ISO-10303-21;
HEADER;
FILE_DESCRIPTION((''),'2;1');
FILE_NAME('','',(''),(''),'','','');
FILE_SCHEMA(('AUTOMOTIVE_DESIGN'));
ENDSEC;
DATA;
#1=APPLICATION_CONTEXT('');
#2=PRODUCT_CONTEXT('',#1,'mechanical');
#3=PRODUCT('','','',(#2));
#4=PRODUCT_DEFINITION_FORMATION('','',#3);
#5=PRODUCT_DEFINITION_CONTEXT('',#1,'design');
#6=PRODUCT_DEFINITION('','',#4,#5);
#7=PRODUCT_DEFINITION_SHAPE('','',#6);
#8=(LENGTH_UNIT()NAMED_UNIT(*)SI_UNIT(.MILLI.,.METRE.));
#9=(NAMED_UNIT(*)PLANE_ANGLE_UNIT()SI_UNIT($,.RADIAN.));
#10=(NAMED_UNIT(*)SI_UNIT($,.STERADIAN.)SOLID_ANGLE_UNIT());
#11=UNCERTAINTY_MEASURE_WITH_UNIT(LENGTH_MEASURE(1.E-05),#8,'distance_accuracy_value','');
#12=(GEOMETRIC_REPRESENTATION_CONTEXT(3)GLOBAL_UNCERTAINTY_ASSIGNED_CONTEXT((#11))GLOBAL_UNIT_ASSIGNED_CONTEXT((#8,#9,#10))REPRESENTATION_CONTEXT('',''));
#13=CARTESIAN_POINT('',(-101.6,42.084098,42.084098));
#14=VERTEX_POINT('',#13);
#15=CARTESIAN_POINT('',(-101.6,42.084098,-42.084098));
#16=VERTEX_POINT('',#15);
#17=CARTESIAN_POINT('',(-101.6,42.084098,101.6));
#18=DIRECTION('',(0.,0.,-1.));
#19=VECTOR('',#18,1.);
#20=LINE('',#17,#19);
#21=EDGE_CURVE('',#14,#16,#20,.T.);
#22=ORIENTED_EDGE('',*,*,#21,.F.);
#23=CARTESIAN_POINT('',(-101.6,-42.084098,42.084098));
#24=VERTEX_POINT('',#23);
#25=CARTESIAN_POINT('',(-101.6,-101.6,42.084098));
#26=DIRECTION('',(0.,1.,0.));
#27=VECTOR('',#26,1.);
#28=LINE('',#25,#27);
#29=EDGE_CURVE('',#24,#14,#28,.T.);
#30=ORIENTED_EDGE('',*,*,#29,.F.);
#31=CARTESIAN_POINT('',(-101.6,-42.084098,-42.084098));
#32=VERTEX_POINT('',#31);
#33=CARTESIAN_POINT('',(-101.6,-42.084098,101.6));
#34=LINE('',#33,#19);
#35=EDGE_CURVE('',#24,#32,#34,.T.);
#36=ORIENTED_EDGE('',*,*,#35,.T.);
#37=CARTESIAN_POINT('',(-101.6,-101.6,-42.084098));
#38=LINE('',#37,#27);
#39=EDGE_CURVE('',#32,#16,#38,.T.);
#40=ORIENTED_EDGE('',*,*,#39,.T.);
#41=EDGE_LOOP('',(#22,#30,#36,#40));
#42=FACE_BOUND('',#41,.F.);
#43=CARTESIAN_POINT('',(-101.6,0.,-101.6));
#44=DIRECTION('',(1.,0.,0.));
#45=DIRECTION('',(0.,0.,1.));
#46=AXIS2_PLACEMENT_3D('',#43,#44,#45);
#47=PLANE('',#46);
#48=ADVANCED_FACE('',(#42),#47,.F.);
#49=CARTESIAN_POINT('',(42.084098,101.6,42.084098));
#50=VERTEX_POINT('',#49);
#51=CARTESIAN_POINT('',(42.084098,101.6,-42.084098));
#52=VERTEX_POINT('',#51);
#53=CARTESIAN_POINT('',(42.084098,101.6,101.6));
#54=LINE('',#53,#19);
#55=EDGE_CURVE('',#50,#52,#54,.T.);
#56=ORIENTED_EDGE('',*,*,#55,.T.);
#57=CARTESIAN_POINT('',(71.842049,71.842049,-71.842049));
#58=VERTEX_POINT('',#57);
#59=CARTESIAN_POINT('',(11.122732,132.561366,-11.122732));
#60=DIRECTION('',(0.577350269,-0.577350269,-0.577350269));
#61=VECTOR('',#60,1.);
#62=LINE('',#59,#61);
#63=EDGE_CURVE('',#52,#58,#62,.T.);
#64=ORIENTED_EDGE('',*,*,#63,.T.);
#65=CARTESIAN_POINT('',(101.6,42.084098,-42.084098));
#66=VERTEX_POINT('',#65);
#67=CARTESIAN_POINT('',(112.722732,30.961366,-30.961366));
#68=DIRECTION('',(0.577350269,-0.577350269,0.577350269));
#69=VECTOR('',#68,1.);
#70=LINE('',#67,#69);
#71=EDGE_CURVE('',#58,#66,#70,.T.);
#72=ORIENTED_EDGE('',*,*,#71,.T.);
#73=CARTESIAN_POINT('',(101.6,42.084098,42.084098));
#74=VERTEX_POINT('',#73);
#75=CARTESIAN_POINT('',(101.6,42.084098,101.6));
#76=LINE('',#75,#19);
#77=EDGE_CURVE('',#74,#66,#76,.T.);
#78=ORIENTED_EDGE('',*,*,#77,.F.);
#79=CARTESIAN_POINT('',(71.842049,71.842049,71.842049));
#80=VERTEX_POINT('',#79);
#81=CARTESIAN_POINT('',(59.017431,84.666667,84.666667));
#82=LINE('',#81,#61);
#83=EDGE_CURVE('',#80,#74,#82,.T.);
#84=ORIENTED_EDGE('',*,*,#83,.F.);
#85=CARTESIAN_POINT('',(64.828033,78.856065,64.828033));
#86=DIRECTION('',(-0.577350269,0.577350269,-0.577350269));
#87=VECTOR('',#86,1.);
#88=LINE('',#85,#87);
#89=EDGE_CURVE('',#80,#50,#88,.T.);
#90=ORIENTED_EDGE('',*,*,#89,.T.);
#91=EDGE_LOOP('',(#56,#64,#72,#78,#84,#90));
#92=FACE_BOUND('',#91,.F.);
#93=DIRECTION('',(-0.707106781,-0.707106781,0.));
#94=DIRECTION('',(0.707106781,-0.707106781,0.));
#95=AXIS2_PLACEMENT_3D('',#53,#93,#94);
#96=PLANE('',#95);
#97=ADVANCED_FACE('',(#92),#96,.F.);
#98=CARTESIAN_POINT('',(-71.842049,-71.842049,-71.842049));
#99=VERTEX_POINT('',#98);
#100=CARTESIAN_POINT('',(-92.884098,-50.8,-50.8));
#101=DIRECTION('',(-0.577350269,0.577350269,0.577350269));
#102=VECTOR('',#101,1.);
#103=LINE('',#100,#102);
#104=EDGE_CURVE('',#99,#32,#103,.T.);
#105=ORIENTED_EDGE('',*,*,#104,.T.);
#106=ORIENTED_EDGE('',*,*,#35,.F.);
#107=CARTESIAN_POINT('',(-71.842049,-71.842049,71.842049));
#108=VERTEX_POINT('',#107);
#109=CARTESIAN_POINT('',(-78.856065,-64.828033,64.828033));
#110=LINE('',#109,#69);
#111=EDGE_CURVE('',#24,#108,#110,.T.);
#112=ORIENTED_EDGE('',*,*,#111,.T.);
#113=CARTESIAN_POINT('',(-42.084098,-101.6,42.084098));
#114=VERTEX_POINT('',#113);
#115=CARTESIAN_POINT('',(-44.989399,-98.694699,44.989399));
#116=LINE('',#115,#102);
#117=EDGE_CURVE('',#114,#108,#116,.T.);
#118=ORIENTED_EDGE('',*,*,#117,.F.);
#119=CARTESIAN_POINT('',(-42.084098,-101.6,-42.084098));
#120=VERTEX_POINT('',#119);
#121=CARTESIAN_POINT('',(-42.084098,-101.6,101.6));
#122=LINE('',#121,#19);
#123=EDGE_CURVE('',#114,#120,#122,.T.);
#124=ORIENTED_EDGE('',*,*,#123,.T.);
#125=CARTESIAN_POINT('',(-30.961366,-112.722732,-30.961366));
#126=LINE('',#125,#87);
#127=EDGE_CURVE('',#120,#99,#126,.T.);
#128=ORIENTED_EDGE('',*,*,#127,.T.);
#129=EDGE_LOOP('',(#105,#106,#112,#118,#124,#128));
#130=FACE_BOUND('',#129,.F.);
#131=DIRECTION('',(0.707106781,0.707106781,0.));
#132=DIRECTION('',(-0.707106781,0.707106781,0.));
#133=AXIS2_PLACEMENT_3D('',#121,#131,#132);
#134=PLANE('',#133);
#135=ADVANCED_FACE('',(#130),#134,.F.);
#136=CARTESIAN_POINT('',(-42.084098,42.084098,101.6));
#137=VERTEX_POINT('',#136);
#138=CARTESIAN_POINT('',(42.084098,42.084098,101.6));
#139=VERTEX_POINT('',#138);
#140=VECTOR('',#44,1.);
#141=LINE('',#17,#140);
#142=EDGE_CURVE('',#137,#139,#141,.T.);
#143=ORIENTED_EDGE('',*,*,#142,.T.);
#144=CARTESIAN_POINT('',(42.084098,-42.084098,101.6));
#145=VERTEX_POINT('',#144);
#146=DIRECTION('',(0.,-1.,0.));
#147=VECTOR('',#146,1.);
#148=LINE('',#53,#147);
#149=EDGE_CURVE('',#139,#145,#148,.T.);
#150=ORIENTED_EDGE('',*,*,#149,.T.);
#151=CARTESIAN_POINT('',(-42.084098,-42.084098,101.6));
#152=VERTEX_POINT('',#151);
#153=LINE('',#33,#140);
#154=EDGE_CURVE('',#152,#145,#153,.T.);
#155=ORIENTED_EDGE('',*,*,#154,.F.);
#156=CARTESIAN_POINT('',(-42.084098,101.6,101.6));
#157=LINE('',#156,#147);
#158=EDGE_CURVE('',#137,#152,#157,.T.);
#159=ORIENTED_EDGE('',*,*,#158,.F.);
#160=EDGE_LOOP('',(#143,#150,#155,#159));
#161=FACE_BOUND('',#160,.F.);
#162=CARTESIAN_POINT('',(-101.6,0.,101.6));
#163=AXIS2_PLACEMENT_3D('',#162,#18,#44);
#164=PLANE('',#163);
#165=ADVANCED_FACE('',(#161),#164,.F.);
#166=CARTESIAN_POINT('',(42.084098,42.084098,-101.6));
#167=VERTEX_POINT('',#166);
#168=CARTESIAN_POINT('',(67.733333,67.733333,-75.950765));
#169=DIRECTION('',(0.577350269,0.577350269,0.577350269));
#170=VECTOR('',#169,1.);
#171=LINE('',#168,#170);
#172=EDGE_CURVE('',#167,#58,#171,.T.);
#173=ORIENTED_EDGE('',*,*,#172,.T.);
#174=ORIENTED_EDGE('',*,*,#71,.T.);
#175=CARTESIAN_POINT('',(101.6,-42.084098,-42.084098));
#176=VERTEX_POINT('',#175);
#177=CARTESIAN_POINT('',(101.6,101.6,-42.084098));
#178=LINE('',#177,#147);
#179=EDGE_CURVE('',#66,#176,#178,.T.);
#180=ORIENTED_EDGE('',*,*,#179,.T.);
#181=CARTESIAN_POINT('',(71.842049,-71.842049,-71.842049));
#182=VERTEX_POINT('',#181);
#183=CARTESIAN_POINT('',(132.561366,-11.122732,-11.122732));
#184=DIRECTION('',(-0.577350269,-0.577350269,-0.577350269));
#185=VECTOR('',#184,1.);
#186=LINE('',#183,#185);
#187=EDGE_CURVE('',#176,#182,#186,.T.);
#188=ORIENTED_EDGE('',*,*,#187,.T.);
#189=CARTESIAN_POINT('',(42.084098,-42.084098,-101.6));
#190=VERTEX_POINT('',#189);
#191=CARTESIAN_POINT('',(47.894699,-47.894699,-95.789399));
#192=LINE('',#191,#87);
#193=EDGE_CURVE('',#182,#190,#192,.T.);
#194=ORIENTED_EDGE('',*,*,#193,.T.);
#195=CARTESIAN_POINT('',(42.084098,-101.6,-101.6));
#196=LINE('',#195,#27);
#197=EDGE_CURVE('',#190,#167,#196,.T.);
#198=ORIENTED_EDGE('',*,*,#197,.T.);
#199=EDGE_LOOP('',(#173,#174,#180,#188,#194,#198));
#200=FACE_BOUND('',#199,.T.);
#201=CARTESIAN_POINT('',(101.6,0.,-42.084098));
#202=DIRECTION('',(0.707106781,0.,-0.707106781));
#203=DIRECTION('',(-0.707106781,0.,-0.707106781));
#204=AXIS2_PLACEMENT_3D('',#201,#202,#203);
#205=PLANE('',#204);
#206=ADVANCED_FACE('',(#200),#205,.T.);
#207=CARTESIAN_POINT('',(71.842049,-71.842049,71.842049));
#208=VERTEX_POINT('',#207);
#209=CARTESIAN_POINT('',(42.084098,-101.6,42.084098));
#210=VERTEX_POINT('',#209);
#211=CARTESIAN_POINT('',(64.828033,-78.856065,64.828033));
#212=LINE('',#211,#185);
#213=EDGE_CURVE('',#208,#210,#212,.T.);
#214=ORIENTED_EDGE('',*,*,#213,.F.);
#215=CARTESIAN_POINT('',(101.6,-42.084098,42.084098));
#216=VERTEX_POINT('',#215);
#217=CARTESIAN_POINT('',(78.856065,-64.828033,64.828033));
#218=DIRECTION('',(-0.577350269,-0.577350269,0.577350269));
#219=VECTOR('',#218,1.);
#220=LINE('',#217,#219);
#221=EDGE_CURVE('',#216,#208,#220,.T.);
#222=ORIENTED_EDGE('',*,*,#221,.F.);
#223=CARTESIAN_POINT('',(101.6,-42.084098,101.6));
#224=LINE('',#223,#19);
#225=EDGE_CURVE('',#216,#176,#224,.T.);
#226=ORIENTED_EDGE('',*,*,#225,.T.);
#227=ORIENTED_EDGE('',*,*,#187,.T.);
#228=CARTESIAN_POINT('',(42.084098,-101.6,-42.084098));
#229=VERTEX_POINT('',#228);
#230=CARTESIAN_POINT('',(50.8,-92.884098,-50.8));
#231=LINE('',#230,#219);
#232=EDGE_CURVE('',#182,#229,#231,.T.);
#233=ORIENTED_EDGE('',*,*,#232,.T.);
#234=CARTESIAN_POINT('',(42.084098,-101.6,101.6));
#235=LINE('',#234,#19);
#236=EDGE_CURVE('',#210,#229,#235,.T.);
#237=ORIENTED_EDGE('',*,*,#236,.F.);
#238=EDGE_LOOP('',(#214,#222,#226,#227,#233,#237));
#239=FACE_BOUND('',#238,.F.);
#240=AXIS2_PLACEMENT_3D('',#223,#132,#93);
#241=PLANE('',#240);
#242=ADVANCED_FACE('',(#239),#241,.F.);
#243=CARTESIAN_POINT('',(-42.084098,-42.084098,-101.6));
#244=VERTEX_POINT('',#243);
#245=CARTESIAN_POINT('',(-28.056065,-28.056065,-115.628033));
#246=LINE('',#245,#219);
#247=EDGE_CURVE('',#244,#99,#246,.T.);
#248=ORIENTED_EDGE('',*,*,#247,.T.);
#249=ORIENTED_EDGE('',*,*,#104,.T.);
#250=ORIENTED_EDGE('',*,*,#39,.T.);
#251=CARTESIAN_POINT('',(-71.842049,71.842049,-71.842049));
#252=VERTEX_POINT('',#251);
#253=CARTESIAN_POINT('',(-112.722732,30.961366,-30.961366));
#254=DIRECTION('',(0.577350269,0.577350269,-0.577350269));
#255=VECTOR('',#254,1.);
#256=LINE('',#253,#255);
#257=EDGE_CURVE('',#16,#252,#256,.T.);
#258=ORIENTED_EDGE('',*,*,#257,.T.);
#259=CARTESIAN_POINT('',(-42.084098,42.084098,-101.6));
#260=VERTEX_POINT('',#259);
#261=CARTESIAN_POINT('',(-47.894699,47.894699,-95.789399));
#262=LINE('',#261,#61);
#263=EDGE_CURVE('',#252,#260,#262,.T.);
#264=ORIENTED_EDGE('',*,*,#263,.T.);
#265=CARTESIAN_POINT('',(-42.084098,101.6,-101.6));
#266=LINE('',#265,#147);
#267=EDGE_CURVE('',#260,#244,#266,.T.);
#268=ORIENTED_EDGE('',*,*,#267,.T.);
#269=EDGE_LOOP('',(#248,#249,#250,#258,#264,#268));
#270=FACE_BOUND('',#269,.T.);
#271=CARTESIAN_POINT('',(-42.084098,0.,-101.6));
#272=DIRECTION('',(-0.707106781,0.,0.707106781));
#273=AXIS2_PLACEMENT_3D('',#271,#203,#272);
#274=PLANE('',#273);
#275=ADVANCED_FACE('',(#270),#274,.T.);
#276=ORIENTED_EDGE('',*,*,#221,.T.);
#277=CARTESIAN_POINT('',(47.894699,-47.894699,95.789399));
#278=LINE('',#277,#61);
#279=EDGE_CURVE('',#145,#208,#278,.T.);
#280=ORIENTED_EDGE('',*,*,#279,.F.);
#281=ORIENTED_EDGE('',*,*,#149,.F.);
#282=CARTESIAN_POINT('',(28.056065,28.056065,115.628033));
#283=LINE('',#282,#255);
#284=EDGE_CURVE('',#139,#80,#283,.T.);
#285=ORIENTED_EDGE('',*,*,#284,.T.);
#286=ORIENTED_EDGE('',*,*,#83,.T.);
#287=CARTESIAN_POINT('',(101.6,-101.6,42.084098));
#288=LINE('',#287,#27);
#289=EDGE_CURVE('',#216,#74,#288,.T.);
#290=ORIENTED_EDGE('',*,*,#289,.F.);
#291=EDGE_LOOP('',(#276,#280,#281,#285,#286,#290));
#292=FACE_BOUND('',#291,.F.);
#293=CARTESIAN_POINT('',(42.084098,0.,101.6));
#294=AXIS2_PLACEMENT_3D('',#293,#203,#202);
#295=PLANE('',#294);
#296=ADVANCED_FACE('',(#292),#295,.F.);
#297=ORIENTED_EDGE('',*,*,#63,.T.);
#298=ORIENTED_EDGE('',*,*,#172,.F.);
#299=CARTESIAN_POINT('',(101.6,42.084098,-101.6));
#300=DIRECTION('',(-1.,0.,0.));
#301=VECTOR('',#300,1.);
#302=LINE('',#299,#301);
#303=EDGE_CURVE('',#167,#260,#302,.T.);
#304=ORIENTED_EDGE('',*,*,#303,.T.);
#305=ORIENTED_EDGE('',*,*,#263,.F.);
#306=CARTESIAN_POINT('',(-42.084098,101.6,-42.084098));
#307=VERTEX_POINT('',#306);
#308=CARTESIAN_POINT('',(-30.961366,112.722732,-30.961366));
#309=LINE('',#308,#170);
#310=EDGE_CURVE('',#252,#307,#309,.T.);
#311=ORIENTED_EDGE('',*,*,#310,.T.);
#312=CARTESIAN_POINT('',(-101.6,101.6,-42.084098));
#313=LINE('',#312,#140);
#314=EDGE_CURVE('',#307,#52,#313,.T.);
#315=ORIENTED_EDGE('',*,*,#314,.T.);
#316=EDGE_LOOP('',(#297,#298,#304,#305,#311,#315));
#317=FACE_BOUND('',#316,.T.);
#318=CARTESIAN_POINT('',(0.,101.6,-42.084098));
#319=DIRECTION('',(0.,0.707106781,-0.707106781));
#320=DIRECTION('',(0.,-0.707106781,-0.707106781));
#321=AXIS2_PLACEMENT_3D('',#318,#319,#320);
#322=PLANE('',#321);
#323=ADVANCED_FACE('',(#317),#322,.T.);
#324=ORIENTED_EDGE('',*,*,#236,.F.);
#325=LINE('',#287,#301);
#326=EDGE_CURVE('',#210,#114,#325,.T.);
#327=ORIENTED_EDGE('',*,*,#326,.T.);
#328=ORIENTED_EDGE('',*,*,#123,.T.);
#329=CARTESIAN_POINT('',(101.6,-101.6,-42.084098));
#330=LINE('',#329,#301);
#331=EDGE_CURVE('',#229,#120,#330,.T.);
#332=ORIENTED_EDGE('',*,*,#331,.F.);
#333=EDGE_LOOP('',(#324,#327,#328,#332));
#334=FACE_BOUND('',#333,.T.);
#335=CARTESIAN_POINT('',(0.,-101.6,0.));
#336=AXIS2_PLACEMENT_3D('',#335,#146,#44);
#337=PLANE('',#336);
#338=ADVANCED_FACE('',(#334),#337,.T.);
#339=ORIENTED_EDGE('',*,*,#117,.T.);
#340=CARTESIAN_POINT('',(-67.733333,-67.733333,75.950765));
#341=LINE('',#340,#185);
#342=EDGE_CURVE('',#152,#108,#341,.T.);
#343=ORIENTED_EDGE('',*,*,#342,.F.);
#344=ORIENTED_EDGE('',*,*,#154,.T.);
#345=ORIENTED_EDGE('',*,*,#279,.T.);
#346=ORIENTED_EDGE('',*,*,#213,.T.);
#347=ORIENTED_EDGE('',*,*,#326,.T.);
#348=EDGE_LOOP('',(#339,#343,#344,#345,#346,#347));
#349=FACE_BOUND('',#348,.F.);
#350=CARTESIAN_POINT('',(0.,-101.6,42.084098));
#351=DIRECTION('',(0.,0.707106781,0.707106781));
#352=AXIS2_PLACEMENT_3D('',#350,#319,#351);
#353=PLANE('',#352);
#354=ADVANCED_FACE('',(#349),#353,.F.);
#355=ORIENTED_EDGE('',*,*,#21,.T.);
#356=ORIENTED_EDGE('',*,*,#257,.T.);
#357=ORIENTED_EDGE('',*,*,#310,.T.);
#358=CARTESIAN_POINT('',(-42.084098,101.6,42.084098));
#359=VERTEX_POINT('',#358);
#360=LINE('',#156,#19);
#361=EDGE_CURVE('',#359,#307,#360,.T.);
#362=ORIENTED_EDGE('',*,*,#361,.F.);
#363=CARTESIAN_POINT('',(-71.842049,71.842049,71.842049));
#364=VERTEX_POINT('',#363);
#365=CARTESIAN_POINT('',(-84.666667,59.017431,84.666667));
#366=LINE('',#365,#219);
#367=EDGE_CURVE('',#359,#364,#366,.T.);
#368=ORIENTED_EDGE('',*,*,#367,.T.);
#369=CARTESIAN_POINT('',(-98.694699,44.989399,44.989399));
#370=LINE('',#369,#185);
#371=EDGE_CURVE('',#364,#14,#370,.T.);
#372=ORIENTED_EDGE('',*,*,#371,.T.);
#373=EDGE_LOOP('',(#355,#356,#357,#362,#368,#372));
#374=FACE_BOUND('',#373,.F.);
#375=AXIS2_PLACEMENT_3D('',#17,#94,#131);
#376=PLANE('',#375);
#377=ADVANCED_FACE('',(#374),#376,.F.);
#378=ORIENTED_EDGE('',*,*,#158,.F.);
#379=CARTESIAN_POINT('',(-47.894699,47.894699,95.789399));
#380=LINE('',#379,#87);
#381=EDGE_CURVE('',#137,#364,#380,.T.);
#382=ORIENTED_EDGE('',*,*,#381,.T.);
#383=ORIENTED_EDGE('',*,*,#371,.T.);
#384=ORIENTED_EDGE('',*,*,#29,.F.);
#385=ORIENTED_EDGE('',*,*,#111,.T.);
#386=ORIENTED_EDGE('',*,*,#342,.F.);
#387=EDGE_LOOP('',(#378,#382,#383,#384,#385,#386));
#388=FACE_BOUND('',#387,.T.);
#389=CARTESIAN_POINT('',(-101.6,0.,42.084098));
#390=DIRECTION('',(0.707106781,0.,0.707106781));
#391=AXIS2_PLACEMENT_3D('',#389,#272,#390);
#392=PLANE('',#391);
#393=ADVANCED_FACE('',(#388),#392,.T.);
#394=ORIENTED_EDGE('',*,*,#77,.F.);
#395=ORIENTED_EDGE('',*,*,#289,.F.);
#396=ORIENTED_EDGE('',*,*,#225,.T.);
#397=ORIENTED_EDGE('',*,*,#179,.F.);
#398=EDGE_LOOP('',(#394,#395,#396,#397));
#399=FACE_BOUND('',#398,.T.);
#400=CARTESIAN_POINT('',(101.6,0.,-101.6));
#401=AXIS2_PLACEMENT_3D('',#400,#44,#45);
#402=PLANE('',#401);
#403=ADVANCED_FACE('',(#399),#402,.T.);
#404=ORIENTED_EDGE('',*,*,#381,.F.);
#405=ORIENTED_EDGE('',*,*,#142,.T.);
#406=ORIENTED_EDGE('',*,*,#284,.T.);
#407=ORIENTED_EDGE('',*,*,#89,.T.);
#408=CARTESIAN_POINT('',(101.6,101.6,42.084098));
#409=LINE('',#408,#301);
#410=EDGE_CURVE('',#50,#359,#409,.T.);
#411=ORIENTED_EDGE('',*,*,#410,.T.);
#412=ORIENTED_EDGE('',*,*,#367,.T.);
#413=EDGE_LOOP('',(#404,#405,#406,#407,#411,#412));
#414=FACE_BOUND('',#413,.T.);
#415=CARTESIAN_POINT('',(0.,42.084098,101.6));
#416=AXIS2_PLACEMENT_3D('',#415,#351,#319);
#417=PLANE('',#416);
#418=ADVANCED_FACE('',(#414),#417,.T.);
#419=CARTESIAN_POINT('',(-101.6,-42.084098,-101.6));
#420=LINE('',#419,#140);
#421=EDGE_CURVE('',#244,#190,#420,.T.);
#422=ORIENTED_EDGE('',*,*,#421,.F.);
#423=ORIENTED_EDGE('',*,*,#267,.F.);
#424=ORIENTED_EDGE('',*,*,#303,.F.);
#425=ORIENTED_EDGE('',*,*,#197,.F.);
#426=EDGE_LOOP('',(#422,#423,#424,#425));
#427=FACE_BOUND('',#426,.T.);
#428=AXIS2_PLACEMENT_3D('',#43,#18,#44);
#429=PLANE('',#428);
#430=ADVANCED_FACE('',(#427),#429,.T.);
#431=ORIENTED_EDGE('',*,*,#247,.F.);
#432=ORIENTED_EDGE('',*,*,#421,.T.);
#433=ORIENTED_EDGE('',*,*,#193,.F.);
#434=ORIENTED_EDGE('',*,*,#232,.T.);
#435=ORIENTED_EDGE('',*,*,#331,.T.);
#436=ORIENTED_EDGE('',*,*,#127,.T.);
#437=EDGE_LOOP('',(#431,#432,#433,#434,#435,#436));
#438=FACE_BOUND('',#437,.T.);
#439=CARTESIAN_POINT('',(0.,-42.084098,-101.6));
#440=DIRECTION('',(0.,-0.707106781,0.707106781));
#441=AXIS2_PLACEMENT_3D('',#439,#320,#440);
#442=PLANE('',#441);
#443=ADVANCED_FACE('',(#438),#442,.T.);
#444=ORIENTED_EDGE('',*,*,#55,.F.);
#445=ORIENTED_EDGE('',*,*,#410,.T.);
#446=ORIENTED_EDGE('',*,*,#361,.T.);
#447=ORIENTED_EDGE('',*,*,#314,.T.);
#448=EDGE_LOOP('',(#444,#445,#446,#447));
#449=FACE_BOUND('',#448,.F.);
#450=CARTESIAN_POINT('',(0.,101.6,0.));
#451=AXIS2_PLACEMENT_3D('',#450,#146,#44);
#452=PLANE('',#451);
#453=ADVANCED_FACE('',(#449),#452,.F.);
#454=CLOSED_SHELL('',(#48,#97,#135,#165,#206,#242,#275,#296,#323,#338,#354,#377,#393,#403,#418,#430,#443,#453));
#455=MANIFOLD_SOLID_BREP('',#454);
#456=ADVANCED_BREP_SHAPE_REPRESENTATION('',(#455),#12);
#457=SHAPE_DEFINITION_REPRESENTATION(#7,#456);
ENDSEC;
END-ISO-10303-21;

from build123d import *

# Parameters (mm, degrees)
F0_W     = 203.2
F0_H     = 203.2
F1_DEPTH = 101.6
F3_DEPTH = 203.2
F5_DEPTH = 101.6
F7_DEPTH = 101.6


with BuildPart() as f1:
    # F0 (on Front) → F1 (new body, symmetric)
    with BuildSketch(Plane.XZ):
        Rectangle(F0_W, F0_H)
    extrude(amount=F1_DEPTH, both=True)

    # F2 (on face) → F3 (cut)
    with BuildSketch(Plane.XY.offset(101.6)):
        Polygon((-101.6, 42.084098), (-42.084098, 101.6), (-101.6, 101.6), align=None)
        Polygon((101.6, 101.6), (42.084098, 101.6), (101.6, 42.084098), align=None)
        Polygon((101.6, -101.6), (101.6, -42.084098), (42.084098, -101.6), align=None)
        Polygon((-42.084098, -101.6), (-101.6, -42.084098), (-101.6, -101.6), align=None)
    extrude(amount=-F3_DEPTH, mode=Mode.SUBTRACT)

    # F4 (on Front) → F5 (cut, symmetric)
    with BuildSketch(Plane.XZ):
        Polygon((-101.6, 42.084098), (-42.084098, 101.6), (-101.6, 101.6), align=None)
        Polygon((-101.6, -101.6), (-42.084098, -101.6), (-101.6, -42.084098), align=None)
        Polygon((101.6, -101.6), (101.6, -42.084098), (42.084098, -101.6), align=None)
        Polygon((101.6, 101.6), (42.084098, 101.6), (101.6, 42.084098), align=None)
    extrude(amount=F5_DEPTH, both=True, mode=Mode.SUBTRACT)

    # F6 (on Right) → F7 (cut, symmetric)
    with BuildSketch(Plane.YZ):
        Polygon((101.6, 101.6), (42.084098, 101.6), (101.6, 42.084098), align=None)
        Polygon((101.6, -101.6), (101.6, -42.084098), (42.084098, -101.6), align=None)
        Polygon((-101.6, -101.6), (-42.084098, -101.6), (-101.6, -42.084098), align=None)
        Polygon((-101.6, 42.084098), (-42.084098, 101.6), (-101.6, 101.6), align=None)
    extrude(amount=F7_DEPTH, both=True, mode=Mode.SUBTRACT)


solid = f1.part
